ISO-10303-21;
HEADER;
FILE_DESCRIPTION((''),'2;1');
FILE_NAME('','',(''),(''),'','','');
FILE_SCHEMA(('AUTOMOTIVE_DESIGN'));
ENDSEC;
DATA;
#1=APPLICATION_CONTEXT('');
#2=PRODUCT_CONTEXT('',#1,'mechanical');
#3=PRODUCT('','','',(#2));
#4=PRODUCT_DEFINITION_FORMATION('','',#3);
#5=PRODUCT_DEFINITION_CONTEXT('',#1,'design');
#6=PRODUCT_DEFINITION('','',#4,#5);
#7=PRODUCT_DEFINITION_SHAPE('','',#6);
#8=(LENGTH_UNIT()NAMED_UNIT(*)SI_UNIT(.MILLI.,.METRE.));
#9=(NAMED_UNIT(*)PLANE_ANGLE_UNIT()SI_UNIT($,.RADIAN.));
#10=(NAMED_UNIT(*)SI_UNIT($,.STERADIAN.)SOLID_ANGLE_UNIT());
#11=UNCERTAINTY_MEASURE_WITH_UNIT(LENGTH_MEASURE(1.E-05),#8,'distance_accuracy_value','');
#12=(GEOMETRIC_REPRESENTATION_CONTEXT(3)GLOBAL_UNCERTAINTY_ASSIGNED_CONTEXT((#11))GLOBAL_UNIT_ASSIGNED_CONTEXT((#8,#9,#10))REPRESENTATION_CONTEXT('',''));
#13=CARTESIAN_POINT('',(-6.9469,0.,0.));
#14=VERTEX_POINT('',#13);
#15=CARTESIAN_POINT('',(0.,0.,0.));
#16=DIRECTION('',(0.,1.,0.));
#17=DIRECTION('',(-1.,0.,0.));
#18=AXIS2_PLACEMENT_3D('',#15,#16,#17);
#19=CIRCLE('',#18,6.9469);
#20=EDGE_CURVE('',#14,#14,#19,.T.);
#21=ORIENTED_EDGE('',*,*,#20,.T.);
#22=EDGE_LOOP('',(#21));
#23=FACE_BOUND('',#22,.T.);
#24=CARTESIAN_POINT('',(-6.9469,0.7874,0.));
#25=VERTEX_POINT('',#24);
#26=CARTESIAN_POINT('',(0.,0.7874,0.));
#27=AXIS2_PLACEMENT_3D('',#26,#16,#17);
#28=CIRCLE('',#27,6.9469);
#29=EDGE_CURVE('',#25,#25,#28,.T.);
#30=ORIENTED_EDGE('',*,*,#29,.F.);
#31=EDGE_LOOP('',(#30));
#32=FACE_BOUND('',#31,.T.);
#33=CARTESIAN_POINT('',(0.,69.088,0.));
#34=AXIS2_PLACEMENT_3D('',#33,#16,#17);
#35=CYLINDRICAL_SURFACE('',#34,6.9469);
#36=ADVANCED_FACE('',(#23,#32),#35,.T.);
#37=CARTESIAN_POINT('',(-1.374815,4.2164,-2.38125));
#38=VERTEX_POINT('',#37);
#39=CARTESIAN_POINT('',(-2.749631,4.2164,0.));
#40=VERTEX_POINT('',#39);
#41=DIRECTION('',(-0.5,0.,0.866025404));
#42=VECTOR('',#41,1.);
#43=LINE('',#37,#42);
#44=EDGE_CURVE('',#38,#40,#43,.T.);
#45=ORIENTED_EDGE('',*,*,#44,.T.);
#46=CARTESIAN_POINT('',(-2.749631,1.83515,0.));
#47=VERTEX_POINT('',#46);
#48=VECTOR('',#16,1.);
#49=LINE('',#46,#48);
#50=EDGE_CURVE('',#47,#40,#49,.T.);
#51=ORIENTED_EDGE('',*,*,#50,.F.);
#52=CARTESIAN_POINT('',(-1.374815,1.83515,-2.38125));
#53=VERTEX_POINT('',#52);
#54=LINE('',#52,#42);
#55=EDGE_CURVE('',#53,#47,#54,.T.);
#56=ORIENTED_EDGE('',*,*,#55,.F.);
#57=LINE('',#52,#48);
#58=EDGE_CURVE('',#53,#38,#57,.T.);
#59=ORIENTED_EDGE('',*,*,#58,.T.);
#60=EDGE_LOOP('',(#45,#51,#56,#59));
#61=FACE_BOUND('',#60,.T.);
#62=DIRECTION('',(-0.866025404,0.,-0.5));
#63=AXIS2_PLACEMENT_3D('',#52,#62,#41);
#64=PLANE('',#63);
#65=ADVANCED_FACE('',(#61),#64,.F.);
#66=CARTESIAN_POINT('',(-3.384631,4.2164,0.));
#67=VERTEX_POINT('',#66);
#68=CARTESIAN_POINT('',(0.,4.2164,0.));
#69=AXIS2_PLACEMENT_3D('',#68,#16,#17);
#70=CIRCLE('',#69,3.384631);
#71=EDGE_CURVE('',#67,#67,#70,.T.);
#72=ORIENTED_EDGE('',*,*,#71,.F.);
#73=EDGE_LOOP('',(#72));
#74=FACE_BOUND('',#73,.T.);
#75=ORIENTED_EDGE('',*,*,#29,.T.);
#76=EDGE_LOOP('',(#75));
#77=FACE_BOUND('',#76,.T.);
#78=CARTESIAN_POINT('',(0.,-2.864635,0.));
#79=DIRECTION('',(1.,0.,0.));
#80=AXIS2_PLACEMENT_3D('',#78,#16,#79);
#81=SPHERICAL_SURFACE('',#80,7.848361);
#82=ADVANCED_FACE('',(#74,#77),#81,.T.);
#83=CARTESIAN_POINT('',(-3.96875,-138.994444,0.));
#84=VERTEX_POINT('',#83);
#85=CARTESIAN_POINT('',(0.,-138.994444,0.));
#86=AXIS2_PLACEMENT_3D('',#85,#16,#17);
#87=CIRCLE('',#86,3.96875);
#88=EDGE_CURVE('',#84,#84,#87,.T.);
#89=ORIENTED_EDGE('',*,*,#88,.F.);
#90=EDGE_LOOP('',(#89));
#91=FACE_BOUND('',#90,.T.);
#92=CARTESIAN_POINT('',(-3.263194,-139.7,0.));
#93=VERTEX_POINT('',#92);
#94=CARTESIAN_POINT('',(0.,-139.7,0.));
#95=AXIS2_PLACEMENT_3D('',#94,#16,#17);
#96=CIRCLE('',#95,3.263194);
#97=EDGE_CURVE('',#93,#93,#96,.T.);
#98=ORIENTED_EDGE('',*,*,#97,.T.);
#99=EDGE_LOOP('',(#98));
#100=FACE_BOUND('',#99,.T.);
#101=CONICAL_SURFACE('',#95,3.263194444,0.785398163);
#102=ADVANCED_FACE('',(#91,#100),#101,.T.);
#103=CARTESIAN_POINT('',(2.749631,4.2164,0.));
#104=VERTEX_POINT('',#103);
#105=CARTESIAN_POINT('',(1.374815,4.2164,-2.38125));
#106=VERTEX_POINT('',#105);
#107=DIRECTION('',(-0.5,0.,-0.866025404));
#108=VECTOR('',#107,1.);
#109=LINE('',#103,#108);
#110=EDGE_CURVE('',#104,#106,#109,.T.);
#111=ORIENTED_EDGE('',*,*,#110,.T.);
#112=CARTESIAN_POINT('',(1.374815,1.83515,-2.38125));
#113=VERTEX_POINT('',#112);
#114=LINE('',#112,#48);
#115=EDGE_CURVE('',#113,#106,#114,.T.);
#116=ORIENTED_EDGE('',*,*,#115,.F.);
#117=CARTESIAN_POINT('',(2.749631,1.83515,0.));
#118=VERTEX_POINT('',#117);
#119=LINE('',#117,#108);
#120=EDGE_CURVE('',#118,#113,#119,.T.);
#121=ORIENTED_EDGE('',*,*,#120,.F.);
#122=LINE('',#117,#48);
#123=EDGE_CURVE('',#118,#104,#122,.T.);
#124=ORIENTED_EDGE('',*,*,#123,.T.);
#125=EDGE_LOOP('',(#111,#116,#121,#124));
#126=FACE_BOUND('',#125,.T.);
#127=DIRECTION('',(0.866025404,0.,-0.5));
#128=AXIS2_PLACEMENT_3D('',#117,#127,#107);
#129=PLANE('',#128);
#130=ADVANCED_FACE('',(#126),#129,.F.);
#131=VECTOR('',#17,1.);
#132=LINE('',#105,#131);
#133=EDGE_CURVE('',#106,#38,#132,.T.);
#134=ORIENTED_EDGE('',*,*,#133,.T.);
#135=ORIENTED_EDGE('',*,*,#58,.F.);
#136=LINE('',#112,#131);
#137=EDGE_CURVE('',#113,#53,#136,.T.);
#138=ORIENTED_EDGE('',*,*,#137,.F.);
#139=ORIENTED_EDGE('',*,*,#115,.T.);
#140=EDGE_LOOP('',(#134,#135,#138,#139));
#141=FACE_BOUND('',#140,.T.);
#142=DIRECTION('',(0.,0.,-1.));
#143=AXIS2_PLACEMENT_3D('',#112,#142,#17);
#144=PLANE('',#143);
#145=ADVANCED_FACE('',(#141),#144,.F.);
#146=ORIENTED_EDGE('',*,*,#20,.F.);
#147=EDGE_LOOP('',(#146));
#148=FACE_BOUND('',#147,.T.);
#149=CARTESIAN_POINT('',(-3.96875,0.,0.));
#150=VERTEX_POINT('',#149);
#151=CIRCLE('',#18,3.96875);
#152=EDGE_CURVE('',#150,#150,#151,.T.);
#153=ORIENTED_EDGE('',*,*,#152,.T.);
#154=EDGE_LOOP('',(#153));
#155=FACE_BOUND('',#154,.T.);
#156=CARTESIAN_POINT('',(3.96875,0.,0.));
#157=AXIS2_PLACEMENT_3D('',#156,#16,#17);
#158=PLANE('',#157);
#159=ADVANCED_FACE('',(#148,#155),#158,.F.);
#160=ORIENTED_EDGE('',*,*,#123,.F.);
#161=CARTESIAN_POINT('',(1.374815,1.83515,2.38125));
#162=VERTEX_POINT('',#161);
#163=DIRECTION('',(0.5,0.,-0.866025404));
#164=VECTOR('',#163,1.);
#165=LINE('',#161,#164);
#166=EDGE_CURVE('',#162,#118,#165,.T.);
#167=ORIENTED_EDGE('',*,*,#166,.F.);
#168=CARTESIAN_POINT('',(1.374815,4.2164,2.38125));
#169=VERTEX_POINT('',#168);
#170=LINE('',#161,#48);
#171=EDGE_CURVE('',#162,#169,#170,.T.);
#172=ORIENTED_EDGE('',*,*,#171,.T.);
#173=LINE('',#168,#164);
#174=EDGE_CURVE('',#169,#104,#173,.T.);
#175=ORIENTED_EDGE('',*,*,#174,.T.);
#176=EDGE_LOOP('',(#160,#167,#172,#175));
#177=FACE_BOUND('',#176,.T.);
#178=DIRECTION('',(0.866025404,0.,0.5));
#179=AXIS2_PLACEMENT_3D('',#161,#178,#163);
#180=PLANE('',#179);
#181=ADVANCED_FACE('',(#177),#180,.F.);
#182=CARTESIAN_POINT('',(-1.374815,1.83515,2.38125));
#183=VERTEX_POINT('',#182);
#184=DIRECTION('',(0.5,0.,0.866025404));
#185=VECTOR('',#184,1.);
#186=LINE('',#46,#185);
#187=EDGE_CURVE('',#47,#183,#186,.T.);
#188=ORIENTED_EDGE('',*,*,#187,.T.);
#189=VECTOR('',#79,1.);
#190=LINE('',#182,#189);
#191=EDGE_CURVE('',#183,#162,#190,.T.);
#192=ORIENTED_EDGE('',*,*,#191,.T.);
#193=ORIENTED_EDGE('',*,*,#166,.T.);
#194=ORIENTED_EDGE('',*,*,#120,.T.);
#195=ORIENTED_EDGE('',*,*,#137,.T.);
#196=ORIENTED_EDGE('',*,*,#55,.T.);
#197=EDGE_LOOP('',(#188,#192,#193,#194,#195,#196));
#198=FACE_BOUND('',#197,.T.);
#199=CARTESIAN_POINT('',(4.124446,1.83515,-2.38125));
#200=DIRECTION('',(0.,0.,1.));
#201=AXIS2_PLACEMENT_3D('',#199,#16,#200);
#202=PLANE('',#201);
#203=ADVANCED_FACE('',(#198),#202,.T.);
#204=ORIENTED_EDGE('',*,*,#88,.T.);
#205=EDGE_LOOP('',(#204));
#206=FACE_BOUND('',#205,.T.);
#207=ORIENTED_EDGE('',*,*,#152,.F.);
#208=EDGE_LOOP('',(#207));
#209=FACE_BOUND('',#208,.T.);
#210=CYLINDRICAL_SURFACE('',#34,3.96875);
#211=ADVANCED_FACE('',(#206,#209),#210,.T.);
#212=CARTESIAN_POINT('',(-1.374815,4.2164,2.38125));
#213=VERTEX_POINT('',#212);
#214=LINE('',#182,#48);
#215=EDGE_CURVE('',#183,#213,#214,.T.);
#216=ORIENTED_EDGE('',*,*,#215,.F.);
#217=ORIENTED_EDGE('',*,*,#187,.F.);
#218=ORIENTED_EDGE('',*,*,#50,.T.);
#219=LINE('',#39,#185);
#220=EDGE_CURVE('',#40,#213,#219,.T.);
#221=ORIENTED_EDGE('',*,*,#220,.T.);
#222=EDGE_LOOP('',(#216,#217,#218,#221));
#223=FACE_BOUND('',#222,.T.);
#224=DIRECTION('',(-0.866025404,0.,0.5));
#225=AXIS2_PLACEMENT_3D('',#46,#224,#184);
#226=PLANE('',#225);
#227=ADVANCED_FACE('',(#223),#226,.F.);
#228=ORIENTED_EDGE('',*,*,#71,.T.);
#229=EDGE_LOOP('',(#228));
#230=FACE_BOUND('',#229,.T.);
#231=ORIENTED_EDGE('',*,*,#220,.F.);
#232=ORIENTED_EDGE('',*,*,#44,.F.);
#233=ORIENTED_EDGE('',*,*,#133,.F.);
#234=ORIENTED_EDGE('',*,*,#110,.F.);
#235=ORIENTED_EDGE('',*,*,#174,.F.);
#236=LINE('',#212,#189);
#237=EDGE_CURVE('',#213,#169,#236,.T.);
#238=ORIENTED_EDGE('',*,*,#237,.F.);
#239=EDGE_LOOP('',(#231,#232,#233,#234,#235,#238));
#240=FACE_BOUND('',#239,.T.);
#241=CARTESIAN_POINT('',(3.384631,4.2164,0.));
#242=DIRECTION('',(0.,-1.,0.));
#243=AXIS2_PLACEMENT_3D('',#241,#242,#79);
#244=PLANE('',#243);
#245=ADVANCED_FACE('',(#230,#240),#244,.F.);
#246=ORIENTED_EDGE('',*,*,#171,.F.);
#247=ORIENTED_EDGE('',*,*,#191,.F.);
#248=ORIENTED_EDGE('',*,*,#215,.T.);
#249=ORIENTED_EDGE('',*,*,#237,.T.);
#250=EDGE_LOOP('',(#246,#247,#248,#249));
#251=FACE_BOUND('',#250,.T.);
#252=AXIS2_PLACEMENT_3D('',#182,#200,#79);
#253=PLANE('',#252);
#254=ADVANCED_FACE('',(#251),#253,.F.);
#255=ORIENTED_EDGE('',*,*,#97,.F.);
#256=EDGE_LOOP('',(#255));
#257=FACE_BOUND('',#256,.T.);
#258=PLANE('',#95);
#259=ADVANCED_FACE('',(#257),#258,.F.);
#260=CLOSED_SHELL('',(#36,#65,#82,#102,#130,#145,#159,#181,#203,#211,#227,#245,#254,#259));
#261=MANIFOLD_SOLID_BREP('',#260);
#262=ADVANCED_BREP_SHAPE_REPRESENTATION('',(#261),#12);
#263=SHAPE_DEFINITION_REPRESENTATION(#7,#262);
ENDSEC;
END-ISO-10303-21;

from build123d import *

# Parameters (mm, degrees)
CUT_EXTRUDE1_DEPTH = 2.38125


with BuildPart() as part:
    # Sketch1 → Base-Revolve (revolve)
    with BuildSketch(Plane.XY):
        with BuildLine():
            Line((0, -139.7), (3.263194444, -139.7))
            Line((3.263194444, -139.7), (3.96875, -138.994444444))
            Line((3.96875, -138.994444444), (3.96875, 0))
            Line((3.96875, 0), (6.9469, 0))
            Line((6.9469, 0), (6.9469, 0.7874))
            ThreePointArc((6.9469, 0.7874), (5.442852348, 2.789756108), (3.384630657, 4.2164))
            Line((3.384630657, 4.2164), (0, 4.2164))
            Line((0, 4.2164), (0, -139.7))
        make_face()
    revolve(axis=Axis((0, 69.088, 0), (0, -1, 0)))

    # Sketch2 → Cut-Extrude1 (cut)
    with BuildSketch(Plane(origin=(0, 4.2164, 0), x_dir=(-1, 0, 0), z_dir=(0, 1, 0))):
        Polygon((-2.749630657, 0), (-1.374815329, -2.38125), (1.374815329, -2.38125), (2.749630657, 0), (1.374815329, 2.38125), (-1.374815329, 2.38125), align=None)
    extrude(amount=-CUT_EXTRUDE1_DEPTH, mode=Mode.SUBTRACT)


solid = part.part
